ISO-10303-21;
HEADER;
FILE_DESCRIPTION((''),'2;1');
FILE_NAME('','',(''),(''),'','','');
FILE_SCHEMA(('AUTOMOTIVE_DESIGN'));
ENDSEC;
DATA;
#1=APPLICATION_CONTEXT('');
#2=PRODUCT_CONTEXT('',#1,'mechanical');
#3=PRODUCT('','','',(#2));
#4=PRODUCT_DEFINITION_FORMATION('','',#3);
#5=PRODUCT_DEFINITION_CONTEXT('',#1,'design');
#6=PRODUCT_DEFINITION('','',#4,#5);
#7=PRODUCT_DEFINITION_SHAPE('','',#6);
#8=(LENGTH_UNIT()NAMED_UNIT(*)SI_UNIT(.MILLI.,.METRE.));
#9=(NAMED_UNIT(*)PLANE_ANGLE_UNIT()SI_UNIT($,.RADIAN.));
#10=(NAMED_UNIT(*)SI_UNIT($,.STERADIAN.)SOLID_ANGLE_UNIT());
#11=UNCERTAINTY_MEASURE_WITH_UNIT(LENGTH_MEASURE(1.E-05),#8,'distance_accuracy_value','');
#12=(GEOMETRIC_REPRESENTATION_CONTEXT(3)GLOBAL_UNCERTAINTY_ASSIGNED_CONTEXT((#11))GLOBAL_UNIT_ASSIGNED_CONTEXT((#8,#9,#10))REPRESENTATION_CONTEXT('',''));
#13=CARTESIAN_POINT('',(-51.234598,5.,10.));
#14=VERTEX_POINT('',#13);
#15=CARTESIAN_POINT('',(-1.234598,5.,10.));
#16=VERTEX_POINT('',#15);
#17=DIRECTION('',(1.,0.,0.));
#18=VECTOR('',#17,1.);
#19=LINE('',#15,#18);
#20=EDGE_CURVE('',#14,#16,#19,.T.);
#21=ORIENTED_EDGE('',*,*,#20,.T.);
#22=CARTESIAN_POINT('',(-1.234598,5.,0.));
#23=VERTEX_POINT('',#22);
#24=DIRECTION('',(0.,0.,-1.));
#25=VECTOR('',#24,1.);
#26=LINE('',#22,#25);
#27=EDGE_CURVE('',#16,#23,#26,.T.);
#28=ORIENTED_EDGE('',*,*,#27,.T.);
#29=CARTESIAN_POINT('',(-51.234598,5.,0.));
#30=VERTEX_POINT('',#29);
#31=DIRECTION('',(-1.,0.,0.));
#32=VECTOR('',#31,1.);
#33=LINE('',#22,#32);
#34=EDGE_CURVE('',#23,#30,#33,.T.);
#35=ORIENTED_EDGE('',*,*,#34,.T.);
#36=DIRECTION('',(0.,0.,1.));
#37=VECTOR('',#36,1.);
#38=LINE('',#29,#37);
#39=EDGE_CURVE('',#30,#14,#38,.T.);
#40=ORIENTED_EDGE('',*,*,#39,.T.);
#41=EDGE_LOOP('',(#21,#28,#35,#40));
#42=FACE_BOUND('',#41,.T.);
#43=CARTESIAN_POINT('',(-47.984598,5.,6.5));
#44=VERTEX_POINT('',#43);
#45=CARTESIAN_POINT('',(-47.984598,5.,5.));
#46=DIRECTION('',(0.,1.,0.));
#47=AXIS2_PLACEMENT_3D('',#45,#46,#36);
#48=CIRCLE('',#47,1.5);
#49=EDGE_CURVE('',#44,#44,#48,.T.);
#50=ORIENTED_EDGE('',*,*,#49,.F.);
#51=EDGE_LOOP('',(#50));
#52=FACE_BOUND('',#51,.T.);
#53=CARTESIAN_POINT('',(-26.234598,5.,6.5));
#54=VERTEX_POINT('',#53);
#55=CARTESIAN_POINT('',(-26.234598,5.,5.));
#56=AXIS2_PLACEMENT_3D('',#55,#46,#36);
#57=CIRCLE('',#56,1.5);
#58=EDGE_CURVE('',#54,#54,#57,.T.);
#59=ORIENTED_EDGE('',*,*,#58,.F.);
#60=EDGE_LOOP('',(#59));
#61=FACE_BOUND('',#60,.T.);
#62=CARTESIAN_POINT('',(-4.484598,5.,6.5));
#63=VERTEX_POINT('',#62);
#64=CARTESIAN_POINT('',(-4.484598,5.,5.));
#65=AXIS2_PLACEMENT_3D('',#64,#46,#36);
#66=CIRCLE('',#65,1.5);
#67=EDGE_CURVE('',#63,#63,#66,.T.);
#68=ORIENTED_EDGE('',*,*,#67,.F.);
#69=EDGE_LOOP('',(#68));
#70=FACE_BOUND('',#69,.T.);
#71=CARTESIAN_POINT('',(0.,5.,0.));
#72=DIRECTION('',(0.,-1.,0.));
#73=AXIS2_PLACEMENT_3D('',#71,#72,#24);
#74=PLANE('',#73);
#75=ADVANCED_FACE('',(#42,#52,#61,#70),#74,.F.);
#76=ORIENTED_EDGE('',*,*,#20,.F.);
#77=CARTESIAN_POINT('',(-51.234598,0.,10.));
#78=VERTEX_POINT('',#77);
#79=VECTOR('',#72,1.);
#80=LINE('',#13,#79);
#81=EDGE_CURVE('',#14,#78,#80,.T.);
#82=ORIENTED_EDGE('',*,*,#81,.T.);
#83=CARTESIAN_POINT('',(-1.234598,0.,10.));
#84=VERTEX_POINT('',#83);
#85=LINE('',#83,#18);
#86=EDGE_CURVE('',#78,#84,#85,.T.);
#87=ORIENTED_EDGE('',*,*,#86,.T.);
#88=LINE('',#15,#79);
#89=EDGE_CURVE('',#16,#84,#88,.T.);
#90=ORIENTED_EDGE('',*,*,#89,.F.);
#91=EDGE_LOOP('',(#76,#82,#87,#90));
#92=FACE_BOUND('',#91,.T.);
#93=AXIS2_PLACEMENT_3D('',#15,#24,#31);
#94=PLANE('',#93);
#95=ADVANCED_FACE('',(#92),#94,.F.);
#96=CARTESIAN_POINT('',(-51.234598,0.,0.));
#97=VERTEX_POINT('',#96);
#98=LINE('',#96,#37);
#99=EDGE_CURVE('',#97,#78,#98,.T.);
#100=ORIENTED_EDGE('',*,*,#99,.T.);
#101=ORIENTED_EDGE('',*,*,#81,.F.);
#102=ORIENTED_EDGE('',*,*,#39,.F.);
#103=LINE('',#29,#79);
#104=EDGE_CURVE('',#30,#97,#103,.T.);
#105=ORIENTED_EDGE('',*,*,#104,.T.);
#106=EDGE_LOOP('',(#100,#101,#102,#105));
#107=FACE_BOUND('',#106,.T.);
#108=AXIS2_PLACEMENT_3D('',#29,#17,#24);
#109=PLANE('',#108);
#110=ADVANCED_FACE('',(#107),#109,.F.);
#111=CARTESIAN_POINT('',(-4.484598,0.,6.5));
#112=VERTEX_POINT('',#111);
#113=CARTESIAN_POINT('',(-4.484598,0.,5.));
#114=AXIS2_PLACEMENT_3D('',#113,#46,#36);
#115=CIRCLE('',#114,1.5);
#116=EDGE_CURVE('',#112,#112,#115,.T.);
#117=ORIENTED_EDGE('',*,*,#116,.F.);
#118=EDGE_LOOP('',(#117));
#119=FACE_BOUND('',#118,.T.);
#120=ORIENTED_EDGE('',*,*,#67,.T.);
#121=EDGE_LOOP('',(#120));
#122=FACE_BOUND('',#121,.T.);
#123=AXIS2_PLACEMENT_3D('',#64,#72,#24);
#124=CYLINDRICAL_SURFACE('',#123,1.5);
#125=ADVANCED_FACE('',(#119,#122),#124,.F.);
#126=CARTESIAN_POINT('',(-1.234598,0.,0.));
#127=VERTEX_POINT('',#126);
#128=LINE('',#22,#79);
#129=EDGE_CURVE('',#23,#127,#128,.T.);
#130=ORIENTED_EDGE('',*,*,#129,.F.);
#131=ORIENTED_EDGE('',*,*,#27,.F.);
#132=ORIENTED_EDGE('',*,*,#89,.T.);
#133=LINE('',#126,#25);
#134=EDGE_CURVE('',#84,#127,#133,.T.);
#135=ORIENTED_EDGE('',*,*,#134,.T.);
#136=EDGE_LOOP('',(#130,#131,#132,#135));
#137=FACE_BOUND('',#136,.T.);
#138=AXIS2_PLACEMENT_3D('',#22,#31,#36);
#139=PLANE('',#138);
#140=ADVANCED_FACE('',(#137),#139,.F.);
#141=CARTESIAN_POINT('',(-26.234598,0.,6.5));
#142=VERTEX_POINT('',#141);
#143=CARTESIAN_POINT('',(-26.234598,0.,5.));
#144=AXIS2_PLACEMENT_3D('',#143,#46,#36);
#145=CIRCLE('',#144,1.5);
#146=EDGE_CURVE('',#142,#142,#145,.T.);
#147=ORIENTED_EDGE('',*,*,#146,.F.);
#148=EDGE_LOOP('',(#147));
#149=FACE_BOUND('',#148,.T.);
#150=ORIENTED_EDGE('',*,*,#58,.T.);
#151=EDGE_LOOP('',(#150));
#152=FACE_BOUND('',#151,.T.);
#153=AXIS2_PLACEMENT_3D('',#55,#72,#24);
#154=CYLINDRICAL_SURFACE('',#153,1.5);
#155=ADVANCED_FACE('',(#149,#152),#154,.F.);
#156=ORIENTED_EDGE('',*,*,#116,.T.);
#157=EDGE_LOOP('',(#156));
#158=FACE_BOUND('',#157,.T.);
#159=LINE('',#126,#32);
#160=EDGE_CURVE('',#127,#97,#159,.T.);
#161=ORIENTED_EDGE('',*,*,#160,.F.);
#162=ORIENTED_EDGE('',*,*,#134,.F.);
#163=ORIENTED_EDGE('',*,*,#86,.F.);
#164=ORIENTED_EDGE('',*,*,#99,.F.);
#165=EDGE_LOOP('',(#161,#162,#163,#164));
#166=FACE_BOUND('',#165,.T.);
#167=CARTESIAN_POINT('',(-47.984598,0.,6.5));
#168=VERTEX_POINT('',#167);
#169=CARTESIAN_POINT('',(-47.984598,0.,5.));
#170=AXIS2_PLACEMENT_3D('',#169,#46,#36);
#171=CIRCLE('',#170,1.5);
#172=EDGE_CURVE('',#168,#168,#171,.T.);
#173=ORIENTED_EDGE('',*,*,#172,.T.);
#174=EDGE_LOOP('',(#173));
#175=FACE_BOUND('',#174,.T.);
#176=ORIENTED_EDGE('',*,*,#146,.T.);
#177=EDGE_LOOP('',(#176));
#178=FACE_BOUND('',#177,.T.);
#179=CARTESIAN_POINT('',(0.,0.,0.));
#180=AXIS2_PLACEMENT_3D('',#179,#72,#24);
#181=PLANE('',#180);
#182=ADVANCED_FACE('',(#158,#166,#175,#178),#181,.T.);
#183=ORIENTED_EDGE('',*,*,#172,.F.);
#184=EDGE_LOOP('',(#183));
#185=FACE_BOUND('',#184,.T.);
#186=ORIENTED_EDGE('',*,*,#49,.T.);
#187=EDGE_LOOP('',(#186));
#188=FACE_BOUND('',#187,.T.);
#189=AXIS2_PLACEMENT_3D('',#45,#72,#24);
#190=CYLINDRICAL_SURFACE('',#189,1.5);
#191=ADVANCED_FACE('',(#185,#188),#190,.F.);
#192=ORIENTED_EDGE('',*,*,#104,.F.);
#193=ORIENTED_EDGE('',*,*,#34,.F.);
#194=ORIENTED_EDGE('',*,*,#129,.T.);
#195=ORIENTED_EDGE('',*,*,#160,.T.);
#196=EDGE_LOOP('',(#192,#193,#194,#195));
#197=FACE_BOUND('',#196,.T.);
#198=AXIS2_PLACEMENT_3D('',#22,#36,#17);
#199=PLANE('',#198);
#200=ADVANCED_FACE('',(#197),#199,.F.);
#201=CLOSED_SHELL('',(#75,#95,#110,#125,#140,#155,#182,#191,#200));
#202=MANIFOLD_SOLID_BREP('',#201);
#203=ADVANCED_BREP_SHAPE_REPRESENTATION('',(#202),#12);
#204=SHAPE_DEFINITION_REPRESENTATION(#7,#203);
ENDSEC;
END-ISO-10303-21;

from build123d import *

# Parameters (mm, degrees)
SKETCH3_W           = 50
SKETCH3_H           = 10
SKETCH3_R           = 1.5
BOSS_EXTRUDE2_DEPTH = 5


with BuildPart() as part:
    # Sketch3 → Boss-Extrude2 (new body)
    with BuildSketch(Plane(origin=(0, 0, 0), x_dir=(1, 0, 0), z_dir=(0, 1, 0))):
        with Locations((-26.234597884, -5)):
            Rectangle(SKETCH3_W, SKETCH3_H)
        with Locations(Location((-4.484597884, -5, 0), (0, 0, 270))):
            Circle(SKETCH3_R, mode=Mode.SUBTRACT)
        with Locations(Location((-26.234597884, -5, 0), (0, 0, 270))):
            Circle(SKETCH3_R, mode=Mode.SUBTRACT)
        with Locations(Location((-47.984597884, -5, 0), (0, 0, 270))):
            Circle(SKETCH3_R, mode=Mode.SUBTRACT)
    extrude(amount=BOSS_EXTRUDE2_DEPTH)


solid = part.part
